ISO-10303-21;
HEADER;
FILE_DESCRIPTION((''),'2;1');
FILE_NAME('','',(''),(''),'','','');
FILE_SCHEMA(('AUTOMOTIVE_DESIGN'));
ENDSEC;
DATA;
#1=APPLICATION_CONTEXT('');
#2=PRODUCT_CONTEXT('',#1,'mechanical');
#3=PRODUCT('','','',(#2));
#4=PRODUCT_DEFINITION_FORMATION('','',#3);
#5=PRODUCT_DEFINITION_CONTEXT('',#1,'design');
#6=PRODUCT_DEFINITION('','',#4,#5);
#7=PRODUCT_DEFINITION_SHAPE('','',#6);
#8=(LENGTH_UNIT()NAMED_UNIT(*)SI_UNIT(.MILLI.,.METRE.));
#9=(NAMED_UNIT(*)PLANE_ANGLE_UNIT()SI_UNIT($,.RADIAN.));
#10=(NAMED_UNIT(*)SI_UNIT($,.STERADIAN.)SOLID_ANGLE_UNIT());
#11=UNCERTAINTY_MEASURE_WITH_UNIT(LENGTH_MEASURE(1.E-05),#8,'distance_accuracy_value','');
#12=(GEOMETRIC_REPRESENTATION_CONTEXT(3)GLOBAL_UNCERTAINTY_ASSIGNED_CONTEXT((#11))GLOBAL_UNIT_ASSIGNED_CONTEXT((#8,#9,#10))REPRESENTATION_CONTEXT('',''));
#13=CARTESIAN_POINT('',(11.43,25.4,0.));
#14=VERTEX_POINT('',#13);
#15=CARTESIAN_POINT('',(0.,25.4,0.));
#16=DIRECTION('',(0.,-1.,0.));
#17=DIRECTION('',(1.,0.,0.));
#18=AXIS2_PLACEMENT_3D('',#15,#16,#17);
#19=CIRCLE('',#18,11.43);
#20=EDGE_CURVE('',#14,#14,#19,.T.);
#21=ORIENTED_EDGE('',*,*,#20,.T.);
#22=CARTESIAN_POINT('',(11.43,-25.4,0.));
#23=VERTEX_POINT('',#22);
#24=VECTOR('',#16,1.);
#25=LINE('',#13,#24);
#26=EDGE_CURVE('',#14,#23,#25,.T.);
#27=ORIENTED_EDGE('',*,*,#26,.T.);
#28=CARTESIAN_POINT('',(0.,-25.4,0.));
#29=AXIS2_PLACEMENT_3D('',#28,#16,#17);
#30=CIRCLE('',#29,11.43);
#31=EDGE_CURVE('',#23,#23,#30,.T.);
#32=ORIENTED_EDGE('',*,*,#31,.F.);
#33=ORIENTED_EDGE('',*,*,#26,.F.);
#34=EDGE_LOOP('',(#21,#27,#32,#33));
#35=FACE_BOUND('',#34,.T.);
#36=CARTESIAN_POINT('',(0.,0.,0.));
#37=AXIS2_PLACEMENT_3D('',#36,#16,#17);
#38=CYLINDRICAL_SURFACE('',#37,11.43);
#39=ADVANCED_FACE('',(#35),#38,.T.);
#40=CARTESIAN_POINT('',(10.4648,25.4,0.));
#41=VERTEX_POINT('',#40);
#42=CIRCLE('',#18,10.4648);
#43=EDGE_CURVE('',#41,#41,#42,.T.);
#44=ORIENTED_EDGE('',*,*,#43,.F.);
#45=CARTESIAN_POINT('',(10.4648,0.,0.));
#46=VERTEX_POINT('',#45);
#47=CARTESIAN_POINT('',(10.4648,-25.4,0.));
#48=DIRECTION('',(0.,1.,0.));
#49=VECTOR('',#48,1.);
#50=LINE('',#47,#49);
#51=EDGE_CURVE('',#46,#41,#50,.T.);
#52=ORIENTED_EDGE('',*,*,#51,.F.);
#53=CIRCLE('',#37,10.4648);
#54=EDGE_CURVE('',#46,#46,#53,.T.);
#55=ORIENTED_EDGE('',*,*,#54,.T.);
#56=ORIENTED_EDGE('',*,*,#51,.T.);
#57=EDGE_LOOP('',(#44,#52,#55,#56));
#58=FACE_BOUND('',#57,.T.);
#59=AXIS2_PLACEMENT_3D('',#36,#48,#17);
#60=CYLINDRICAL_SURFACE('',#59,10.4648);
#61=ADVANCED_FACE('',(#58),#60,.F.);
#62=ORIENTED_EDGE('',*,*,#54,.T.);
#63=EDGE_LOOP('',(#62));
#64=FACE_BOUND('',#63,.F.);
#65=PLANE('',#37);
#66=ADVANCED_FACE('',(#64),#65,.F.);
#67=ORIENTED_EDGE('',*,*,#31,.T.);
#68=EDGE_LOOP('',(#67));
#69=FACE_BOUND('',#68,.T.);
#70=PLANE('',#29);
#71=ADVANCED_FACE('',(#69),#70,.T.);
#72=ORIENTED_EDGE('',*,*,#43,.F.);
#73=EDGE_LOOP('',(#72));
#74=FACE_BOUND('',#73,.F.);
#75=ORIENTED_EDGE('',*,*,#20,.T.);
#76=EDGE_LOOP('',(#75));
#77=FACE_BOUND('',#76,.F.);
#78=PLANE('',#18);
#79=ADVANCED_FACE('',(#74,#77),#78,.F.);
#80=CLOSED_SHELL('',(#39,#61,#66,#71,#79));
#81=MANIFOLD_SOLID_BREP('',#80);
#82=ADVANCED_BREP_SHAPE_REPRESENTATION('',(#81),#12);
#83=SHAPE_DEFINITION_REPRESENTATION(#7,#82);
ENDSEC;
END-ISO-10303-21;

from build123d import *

# Parameters (mm, degrees)
F0_R     = 11.43
F0_R_2   = 10.4648
F1_DEPTH = 25.4
F2_R     = 10.4648
F3_DEPTH = 25.4


with BuildPart() as f1:
    # F0 (on Front) → F1 (new body, symmetric)
    with BuildSketch(Plane.XZ):
        Circle(F0_R)
        Circle(F0_R_2, mode=Mode.SUBTRACT)
    extrude(amount=F1_DEPTH, both=True)

    # F2 (on Front) → F3 (join, through all)
    with BuildSketch(Plane.XZ):
        Circle(F2_R)
    extrude(amount=F3_DEPTH)


solid = f1.part
